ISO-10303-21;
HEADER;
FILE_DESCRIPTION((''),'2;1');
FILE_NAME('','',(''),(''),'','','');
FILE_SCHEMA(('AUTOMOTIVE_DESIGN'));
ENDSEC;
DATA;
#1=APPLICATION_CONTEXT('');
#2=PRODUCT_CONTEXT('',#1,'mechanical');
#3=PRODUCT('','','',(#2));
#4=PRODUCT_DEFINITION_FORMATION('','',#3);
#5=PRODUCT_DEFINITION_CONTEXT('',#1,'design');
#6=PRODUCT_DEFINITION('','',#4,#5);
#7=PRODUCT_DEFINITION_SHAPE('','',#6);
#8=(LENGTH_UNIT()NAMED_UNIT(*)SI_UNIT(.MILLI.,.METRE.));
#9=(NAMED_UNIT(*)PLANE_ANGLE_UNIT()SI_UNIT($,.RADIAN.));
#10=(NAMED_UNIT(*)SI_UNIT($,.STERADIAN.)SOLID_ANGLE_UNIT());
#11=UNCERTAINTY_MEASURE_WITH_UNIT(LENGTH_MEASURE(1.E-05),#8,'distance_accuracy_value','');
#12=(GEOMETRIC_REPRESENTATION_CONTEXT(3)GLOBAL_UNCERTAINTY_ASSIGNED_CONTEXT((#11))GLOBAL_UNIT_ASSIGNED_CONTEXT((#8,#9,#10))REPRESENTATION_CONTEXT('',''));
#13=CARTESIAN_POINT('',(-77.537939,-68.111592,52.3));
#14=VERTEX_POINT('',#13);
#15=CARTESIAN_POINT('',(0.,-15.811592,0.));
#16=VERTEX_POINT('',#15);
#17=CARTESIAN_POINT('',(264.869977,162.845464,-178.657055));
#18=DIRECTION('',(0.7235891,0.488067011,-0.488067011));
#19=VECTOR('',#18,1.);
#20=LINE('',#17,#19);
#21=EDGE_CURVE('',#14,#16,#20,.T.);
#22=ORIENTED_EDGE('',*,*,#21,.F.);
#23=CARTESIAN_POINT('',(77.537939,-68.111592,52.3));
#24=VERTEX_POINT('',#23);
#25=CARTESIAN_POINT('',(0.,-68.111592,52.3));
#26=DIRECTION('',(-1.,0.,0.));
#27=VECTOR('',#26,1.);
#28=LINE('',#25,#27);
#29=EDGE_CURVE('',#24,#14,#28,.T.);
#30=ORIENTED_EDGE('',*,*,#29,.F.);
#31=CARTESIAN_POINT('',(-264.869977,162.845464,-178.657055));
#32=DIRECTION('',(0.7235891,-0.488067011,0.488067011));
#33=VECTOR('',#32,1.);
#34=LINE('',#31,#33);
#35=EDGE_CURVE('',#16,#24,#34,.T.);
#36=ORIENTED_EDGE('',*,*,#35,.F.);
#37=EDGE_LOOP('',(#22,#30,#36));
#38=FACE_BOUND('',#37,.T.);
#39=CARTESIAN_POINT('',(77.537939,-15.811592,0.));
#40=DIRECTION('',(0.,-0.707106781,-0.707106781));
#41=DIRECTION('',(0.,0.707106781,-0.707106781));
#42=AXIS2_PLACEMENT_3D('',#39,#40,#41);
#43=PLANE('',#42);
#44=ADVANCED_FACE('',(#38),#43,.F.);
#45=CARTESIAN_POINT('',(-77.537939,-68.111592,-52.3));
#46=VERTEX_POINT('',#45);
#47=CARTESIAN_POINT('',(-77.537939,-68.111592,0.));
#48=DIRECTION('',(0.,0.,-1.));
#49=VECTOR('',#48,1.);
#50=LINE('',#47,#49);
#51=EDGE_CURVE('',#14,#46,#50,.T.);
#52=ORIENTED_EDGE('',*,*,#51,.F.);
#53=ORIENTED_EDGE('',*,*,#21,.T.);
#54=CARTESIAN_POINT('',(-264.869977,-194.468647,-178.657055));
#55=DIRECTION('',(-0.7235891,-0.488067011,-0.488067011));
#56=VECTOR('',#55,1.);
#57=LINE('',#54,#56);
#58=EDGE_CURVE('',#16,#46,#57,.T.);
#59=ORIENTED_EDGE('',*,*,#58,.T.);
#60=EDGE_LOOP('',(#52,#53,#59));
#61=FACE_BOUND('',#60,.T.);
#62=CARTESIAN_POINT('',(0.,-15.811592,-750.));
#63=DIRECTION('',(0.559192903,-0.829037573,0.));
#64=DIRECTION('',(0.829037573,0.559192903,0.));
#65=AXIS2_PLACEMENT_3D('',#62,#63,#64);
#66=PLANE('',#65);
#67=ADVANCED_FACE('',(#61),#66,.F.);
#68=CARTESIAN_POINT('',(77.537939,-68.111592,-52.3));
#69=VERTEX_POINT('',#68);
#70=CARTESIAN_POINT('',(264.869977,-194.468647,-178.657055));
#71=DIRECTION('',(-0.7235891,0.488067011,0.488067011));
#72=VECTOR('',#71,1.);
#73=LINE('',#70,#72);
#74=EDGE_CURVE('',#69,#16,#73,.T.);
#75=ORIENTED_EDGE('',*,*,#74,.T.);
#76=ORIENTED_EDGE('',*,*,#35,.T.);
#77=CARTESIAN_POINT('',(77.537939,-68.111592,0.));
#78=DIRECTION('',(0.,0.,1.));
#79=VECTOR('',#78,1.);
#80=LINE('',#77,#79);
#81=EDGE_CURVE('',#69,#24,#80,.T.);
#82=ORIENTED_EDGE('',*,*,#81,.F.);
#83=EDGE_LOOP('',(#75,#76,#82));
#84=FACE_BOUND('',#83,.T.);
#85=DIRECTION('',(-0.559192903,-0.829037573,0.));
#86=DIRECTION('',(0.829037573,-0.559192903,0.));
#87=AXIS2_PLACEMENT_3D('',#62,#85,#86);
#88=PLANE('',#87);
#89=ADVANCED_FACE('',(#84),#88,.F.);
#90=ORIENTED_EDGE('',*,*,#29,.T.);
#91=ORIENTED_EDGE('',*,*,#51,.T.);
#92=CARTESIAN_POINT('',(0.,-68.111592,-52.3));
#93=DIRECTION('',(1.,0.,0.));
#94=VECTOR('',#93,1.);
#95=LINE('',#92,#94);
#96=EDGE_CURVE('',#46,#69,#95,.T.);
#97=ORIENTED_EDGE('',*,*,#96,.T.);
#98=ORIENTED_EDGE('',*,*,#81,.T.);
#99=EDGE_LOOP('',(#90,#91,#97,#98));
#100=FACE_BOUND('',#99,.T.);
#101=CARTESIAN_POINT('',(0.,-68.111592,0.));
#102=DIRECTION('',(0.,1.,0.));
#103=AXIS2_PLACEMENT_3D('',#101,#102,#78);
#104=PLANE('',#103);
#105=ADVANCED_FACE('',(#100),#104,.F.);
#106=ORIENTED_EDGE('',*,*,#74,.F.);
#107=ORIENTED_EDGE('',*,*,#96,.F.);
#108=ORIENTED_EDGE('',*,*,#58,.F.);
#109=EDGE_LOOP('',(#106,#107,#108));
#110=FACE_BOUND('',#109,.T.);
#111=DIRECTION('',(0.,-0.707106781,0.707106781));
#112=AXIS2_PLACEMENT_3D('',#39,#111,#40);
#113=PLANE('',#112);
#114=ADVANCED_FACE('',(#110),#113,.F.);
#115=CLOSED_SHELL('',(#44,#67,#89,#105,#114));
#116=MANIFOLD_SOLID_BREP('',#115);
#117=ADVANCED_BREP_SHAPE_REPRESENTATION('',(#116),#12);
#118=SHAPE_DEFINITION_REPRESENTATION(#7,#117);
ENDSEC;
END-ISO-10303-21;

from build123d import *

# Parameters (mm, degrees)
AUFSATZ_LINEAR_START            = -68.111592
SKIZZE5_W                       = 2000
SKIZZE5_H                       = 1500
AUFSATZ_LINEAR_AUSTRAGEN1_DEPTH = 63.5
HORIZONTAL_DEPTH                = 1501
VERTIKAL_DEPTH                  = 78.537939311
VERTIKAL_DEPTH_BACK             = 78.537939311


with BuildPart() as part:
    # Skizze5 → Aufsatz-Linear austragen1 (new body)
    with BuildSketch(Plane(origin=(0, 0, 0), x_dir=(1, 0, 0), z_dir=(0, 1, 0)).offset(AUFSATZ_LINEAR_START)):
        Rectangle(SKIZZE5_W, SKIZZE5_H)
    extrude(amount=AUFSATZ_LINEAR_AUSTRAGEN1_DEPTH)

    # Skizze6 → Horizontal (cut, through all)
    with BuildSketch(Plane.XY.offset(750)):
        Polygon((0, -15.811591556), (-1000, -690.320108399), (-1000, -3.611591556), (1000, -3.611591556), (1000, -690.320108399), align=None)
    extrude(amount=-HORIZONTAL_DEPTH, mode=Mode.SUBTRACT)

    # Skizze7 → Vertikal (cut, two sides)
    with BuildSketch(Plane.ZY) as vertikal_sk:
        Polygon((0, -15.811591556), (-750, -765.811591556), (-750, -14.811591556), (750, -14.811591556), (750, -765.811591556), align=None)
    extrude(amount=VERTIKAL_DEPTH, mode=Mode.SUBTRACT)
    extrude(vertikal_sk.sketch, amount=-VERTIKAL_DEPTH_BACK, mode=Mode.SUBTRACT)


solid = part.part
